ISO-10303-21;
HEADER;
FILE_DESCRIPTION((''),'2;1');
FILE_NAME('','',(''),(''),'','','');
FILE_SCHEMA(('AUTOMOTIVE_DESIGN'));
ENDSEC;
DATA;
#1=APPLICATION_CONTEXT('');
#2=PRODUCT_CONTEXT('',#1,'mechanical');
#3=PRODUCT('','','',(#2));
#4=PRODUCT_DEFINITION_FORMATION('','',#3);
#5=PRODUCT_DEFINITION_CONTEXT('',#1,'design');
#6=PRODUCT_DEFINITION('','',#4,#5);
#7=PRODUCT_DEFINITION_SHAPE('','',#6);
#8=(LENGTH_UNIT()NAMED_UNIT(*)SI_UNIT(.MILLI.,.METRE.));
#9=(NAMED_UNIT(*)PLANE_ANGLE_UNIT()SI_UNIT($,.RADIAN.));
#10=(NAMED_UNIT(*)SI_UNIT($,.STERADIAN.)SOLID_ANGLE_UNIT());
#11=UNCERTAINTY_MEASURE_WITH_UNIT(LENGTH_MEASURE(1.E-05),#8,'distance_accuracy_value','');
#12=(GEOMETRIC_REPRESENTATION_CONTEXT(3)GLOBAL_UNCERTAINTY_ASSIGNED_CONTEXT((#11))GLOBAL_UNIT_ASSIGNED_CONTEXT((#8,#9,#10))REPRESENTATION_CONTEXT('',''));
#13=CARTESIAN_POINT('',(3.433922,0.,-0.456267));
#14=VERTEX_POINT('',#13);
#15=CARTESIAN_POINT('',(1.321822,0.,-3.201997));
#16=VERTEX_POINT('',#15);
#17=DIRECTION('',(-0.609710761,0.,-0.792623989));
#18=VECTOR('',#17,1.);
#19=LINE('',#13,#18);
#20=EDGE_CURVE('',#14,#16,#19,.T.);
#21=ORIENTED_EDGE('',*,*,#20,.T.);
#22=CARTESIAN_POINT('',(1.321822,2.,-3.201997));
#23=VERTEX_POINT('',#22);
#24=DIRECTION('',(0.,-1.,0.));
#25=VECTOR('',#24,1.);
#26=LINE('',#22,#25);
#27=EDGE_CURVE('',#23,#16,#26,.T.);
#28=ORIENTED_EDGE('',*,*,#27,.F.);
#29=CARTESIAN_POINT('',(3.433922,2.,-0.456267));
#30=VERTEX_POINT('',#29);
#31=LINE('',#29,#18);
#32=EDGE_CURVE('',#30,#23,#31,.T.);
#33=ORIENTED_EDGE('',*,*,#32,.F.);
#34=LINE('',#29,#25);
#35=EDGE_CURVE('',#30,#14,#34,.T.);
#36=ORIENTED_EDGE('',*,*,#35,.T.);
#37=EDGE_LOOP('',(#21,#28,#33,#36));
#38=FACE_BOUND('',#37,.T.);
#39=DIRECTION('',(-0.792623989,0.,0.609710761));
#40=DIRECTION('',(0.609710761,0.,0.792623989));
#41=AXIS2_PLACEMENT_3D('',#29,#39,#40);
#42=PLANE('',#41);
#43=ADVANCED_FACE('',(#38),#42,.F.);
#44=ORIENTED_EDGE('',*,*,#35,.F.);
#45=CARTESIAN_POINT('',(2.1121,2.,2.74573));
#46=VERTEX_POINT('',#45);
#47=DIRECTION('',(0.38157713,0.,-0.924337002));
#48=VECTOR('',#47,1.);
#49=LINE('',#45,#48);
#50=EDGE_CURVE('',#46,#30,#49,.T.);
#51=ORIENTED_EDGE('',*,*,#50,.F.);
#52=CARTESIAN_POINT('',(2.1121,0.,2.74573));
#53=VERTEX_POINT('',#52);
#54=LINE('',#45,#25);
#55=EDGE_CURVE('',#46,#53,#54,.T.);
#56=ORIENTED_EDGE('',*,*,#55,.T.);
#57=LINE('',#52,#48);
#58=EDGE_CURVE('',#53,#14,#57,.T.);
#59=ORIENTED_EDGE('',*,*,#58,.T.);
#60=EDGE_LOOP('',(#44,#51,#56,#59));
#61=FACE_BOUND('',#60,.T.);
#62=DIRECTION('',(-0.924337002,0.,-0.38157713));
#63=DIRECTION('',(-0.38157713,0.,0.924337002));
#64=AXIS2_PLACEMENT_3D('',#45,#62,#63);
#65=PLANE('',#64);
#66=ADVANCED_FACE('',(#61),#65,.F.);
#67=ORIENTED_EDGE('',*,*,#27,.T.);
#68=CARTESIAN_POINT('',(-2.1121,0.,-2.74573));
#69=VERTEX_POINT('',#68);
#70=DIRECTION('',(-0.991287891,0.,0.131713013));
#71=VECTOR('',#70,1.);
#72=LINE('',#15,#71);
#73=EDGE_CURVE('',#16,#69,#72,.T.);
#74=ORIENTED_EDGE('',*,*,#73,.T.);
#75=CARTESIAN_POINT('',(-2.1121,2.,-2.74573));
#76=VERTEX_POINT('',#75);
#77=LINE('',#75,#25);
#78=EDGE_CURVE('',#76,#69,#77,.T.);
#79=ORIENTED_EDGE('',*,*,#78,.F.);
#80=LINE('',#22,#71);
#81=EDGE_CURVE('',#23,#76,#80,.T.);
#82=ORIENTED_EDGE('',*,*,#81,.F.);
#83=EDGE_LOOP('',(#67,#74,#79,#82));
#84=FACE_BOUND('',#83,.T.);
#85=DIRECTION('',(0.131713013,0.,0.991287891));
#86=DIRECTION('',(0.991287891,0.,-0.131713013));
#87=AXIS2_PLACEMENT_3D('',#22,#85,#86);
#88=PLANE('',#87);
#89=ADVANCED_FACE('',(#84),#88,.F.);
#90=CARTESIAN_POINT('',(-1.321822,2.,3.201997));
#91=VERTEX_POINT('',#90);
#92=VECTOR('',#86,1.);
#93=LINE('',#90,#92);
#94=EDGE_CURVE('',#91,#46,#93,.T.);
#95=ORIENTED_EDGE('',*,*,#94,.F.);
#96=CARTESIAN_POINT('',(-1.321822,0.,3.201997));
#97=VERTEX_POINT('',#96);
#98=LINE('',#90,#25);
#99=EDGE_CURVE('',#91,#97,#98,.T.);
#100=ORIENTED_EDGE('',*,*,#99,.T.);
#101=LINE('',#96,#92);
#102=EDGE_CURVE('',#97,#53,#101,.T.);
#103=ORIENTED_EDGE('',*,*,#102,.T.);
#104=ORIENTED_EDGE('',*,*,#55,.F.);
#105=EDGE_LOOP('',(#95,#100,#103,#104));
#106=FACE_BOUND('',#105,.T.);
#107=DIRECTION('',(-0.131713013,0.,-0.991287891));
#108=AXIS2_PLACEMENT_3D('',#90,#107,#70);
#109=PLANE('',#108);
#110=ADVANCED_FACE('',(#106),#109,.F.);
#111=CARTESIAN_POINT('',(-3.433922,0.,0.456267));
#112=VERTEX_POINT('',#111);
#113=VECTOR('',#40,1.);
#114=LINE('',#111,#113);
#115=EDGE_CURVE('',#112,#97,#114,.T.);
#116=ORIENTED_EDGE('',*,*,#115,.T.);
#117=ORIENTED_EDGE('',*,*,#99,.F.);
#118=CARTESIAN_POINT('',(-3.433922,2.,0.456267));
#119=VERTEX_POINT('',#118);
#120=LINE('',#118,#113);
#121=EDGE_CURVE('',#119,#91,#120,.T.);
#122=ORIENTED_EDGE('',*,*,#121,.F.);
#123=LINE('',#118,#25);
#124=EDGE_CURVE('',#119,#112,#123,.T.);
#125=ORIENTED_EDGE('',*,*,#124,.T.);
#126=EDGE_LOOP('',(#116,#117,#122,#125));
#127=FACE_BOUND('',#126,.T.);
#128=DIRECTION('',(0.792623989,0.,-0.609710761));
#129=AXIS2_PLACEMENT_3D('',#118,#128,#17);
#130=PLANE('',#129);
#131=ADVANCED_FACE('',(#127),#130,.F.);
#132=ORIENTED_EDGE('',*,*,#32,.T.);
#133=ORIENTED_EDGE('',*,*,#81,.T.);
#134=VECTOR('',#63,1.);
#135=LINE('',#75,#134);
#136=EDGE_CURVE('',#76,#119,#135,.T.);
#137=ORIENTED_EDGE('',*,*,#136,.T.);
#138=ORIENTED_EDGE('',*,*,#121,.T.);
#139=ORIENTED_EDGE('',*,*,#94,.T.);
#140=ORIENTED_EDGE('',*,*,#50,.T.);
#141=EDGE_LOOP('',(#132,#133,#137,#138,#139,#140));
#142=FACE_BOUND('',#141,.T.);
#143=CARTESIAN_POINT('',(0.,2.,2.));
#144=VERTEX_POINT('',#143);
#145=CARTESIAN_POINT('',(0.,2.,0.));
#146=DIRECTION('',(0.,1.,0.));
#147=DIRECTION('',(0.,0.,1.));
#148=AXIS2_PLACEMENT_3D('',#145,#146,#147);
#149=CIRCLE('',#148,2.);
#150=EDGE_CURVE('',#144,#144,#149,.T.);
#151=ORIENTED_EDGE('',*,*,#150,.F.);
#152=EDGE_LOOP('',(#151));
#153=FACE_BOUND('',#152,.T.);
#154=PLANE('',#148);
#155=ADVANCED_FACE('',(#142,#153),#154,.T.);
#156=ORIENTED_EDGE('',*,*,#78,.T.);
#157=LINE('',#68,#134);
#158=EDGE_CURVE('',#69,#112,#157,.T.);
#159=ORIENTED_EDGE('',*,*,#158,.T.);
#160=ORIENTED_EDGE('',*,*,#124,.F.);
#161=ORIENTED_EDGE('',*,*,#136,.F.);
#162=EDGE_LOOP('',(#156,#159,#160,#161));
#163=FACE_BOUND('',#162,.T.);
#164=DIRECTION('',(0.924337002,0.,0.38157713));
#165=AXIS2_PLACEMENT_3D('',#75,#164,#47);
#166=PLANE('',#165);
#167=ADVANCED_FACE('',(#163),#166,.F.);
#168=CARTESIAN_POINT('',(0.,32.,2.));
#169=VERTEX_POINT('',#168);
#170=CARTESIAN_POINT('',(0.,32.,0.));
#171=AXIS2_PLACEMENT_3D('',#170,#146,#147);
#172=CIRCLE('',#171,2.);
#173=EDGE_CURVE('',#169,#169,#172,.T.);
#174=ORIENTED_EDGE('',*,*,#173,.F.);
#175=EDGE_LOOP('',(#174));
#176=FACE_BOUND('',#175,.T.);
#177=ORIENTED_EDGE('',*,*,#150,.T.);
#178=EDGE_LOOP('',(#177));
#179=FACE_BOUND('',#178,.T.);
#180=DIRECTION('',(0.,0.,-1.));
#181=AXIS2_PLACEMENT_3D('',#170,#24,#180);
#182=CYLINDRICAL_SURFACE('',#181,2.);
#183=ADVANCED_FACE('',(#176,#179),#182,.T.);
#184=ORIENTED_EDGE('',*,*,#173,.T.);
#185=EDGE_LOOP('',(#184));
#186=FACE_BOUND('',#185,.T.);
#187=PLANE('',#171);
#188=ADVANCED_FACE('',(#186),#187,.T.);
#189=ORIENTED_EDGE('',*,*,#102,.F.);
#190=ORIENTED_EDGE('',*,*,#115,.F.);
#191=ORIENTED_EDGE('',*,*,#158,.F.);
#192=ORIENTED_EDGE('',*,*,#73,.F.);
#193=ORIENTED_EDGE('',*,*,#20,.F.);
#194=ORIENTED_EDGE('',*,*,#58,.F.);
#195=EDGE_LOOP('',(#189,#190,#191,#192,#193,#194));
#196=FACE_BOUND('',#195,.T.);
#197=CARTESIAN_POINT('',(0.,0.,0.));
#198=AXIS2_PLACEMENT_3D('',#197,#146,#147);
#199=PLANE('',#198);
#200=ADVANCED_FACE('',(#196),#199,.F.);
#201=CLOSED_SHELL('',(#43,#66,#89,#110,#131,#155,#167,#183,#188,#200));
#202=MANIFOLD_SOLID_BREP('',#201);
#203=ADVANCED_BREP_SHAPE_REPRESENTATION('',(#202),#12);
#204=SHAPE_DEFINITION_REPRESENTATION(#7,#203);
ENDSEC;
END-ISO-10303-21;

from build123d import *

# Parameters (mm, degrees)
BOSS_EXTRUDE1_DEPTH = 2
SKETCH2_R           = 2
BOSS_EXTRUDE2_DEPTH = 30


with BuildPart() as part:
    # Sketch1 → Boss-Extrude1 (new body)
    with BuildSketch(Plane(origin=(0, 0, 0), x_dir=(1, 0, 0), z_dir=(0, 1, 0))):
        Polygon((2.112100031, -2.745730041), (3.433921983, 0.456267262), (1.321821952, 3.201997303), (-2.112100031, 2.745730041), (-3.433921983, -0.456267262), (-1.321821952, -3.201997303), align=None)
    extrude(amount=BOSS_EXTRUDE1_DEPTH)

    # Sketch2 → Boss-Extrude2 (add)
    with BuildSketch(Plane(origin=(0, 2, 0), x_dir=(1, 0, 0), z_dir=(0, 1, 0))):
        Circle(SKETCH2_R)
    extrude(amount=BOSS_EXTRUDE2_DEPTH)


solid = part.part
